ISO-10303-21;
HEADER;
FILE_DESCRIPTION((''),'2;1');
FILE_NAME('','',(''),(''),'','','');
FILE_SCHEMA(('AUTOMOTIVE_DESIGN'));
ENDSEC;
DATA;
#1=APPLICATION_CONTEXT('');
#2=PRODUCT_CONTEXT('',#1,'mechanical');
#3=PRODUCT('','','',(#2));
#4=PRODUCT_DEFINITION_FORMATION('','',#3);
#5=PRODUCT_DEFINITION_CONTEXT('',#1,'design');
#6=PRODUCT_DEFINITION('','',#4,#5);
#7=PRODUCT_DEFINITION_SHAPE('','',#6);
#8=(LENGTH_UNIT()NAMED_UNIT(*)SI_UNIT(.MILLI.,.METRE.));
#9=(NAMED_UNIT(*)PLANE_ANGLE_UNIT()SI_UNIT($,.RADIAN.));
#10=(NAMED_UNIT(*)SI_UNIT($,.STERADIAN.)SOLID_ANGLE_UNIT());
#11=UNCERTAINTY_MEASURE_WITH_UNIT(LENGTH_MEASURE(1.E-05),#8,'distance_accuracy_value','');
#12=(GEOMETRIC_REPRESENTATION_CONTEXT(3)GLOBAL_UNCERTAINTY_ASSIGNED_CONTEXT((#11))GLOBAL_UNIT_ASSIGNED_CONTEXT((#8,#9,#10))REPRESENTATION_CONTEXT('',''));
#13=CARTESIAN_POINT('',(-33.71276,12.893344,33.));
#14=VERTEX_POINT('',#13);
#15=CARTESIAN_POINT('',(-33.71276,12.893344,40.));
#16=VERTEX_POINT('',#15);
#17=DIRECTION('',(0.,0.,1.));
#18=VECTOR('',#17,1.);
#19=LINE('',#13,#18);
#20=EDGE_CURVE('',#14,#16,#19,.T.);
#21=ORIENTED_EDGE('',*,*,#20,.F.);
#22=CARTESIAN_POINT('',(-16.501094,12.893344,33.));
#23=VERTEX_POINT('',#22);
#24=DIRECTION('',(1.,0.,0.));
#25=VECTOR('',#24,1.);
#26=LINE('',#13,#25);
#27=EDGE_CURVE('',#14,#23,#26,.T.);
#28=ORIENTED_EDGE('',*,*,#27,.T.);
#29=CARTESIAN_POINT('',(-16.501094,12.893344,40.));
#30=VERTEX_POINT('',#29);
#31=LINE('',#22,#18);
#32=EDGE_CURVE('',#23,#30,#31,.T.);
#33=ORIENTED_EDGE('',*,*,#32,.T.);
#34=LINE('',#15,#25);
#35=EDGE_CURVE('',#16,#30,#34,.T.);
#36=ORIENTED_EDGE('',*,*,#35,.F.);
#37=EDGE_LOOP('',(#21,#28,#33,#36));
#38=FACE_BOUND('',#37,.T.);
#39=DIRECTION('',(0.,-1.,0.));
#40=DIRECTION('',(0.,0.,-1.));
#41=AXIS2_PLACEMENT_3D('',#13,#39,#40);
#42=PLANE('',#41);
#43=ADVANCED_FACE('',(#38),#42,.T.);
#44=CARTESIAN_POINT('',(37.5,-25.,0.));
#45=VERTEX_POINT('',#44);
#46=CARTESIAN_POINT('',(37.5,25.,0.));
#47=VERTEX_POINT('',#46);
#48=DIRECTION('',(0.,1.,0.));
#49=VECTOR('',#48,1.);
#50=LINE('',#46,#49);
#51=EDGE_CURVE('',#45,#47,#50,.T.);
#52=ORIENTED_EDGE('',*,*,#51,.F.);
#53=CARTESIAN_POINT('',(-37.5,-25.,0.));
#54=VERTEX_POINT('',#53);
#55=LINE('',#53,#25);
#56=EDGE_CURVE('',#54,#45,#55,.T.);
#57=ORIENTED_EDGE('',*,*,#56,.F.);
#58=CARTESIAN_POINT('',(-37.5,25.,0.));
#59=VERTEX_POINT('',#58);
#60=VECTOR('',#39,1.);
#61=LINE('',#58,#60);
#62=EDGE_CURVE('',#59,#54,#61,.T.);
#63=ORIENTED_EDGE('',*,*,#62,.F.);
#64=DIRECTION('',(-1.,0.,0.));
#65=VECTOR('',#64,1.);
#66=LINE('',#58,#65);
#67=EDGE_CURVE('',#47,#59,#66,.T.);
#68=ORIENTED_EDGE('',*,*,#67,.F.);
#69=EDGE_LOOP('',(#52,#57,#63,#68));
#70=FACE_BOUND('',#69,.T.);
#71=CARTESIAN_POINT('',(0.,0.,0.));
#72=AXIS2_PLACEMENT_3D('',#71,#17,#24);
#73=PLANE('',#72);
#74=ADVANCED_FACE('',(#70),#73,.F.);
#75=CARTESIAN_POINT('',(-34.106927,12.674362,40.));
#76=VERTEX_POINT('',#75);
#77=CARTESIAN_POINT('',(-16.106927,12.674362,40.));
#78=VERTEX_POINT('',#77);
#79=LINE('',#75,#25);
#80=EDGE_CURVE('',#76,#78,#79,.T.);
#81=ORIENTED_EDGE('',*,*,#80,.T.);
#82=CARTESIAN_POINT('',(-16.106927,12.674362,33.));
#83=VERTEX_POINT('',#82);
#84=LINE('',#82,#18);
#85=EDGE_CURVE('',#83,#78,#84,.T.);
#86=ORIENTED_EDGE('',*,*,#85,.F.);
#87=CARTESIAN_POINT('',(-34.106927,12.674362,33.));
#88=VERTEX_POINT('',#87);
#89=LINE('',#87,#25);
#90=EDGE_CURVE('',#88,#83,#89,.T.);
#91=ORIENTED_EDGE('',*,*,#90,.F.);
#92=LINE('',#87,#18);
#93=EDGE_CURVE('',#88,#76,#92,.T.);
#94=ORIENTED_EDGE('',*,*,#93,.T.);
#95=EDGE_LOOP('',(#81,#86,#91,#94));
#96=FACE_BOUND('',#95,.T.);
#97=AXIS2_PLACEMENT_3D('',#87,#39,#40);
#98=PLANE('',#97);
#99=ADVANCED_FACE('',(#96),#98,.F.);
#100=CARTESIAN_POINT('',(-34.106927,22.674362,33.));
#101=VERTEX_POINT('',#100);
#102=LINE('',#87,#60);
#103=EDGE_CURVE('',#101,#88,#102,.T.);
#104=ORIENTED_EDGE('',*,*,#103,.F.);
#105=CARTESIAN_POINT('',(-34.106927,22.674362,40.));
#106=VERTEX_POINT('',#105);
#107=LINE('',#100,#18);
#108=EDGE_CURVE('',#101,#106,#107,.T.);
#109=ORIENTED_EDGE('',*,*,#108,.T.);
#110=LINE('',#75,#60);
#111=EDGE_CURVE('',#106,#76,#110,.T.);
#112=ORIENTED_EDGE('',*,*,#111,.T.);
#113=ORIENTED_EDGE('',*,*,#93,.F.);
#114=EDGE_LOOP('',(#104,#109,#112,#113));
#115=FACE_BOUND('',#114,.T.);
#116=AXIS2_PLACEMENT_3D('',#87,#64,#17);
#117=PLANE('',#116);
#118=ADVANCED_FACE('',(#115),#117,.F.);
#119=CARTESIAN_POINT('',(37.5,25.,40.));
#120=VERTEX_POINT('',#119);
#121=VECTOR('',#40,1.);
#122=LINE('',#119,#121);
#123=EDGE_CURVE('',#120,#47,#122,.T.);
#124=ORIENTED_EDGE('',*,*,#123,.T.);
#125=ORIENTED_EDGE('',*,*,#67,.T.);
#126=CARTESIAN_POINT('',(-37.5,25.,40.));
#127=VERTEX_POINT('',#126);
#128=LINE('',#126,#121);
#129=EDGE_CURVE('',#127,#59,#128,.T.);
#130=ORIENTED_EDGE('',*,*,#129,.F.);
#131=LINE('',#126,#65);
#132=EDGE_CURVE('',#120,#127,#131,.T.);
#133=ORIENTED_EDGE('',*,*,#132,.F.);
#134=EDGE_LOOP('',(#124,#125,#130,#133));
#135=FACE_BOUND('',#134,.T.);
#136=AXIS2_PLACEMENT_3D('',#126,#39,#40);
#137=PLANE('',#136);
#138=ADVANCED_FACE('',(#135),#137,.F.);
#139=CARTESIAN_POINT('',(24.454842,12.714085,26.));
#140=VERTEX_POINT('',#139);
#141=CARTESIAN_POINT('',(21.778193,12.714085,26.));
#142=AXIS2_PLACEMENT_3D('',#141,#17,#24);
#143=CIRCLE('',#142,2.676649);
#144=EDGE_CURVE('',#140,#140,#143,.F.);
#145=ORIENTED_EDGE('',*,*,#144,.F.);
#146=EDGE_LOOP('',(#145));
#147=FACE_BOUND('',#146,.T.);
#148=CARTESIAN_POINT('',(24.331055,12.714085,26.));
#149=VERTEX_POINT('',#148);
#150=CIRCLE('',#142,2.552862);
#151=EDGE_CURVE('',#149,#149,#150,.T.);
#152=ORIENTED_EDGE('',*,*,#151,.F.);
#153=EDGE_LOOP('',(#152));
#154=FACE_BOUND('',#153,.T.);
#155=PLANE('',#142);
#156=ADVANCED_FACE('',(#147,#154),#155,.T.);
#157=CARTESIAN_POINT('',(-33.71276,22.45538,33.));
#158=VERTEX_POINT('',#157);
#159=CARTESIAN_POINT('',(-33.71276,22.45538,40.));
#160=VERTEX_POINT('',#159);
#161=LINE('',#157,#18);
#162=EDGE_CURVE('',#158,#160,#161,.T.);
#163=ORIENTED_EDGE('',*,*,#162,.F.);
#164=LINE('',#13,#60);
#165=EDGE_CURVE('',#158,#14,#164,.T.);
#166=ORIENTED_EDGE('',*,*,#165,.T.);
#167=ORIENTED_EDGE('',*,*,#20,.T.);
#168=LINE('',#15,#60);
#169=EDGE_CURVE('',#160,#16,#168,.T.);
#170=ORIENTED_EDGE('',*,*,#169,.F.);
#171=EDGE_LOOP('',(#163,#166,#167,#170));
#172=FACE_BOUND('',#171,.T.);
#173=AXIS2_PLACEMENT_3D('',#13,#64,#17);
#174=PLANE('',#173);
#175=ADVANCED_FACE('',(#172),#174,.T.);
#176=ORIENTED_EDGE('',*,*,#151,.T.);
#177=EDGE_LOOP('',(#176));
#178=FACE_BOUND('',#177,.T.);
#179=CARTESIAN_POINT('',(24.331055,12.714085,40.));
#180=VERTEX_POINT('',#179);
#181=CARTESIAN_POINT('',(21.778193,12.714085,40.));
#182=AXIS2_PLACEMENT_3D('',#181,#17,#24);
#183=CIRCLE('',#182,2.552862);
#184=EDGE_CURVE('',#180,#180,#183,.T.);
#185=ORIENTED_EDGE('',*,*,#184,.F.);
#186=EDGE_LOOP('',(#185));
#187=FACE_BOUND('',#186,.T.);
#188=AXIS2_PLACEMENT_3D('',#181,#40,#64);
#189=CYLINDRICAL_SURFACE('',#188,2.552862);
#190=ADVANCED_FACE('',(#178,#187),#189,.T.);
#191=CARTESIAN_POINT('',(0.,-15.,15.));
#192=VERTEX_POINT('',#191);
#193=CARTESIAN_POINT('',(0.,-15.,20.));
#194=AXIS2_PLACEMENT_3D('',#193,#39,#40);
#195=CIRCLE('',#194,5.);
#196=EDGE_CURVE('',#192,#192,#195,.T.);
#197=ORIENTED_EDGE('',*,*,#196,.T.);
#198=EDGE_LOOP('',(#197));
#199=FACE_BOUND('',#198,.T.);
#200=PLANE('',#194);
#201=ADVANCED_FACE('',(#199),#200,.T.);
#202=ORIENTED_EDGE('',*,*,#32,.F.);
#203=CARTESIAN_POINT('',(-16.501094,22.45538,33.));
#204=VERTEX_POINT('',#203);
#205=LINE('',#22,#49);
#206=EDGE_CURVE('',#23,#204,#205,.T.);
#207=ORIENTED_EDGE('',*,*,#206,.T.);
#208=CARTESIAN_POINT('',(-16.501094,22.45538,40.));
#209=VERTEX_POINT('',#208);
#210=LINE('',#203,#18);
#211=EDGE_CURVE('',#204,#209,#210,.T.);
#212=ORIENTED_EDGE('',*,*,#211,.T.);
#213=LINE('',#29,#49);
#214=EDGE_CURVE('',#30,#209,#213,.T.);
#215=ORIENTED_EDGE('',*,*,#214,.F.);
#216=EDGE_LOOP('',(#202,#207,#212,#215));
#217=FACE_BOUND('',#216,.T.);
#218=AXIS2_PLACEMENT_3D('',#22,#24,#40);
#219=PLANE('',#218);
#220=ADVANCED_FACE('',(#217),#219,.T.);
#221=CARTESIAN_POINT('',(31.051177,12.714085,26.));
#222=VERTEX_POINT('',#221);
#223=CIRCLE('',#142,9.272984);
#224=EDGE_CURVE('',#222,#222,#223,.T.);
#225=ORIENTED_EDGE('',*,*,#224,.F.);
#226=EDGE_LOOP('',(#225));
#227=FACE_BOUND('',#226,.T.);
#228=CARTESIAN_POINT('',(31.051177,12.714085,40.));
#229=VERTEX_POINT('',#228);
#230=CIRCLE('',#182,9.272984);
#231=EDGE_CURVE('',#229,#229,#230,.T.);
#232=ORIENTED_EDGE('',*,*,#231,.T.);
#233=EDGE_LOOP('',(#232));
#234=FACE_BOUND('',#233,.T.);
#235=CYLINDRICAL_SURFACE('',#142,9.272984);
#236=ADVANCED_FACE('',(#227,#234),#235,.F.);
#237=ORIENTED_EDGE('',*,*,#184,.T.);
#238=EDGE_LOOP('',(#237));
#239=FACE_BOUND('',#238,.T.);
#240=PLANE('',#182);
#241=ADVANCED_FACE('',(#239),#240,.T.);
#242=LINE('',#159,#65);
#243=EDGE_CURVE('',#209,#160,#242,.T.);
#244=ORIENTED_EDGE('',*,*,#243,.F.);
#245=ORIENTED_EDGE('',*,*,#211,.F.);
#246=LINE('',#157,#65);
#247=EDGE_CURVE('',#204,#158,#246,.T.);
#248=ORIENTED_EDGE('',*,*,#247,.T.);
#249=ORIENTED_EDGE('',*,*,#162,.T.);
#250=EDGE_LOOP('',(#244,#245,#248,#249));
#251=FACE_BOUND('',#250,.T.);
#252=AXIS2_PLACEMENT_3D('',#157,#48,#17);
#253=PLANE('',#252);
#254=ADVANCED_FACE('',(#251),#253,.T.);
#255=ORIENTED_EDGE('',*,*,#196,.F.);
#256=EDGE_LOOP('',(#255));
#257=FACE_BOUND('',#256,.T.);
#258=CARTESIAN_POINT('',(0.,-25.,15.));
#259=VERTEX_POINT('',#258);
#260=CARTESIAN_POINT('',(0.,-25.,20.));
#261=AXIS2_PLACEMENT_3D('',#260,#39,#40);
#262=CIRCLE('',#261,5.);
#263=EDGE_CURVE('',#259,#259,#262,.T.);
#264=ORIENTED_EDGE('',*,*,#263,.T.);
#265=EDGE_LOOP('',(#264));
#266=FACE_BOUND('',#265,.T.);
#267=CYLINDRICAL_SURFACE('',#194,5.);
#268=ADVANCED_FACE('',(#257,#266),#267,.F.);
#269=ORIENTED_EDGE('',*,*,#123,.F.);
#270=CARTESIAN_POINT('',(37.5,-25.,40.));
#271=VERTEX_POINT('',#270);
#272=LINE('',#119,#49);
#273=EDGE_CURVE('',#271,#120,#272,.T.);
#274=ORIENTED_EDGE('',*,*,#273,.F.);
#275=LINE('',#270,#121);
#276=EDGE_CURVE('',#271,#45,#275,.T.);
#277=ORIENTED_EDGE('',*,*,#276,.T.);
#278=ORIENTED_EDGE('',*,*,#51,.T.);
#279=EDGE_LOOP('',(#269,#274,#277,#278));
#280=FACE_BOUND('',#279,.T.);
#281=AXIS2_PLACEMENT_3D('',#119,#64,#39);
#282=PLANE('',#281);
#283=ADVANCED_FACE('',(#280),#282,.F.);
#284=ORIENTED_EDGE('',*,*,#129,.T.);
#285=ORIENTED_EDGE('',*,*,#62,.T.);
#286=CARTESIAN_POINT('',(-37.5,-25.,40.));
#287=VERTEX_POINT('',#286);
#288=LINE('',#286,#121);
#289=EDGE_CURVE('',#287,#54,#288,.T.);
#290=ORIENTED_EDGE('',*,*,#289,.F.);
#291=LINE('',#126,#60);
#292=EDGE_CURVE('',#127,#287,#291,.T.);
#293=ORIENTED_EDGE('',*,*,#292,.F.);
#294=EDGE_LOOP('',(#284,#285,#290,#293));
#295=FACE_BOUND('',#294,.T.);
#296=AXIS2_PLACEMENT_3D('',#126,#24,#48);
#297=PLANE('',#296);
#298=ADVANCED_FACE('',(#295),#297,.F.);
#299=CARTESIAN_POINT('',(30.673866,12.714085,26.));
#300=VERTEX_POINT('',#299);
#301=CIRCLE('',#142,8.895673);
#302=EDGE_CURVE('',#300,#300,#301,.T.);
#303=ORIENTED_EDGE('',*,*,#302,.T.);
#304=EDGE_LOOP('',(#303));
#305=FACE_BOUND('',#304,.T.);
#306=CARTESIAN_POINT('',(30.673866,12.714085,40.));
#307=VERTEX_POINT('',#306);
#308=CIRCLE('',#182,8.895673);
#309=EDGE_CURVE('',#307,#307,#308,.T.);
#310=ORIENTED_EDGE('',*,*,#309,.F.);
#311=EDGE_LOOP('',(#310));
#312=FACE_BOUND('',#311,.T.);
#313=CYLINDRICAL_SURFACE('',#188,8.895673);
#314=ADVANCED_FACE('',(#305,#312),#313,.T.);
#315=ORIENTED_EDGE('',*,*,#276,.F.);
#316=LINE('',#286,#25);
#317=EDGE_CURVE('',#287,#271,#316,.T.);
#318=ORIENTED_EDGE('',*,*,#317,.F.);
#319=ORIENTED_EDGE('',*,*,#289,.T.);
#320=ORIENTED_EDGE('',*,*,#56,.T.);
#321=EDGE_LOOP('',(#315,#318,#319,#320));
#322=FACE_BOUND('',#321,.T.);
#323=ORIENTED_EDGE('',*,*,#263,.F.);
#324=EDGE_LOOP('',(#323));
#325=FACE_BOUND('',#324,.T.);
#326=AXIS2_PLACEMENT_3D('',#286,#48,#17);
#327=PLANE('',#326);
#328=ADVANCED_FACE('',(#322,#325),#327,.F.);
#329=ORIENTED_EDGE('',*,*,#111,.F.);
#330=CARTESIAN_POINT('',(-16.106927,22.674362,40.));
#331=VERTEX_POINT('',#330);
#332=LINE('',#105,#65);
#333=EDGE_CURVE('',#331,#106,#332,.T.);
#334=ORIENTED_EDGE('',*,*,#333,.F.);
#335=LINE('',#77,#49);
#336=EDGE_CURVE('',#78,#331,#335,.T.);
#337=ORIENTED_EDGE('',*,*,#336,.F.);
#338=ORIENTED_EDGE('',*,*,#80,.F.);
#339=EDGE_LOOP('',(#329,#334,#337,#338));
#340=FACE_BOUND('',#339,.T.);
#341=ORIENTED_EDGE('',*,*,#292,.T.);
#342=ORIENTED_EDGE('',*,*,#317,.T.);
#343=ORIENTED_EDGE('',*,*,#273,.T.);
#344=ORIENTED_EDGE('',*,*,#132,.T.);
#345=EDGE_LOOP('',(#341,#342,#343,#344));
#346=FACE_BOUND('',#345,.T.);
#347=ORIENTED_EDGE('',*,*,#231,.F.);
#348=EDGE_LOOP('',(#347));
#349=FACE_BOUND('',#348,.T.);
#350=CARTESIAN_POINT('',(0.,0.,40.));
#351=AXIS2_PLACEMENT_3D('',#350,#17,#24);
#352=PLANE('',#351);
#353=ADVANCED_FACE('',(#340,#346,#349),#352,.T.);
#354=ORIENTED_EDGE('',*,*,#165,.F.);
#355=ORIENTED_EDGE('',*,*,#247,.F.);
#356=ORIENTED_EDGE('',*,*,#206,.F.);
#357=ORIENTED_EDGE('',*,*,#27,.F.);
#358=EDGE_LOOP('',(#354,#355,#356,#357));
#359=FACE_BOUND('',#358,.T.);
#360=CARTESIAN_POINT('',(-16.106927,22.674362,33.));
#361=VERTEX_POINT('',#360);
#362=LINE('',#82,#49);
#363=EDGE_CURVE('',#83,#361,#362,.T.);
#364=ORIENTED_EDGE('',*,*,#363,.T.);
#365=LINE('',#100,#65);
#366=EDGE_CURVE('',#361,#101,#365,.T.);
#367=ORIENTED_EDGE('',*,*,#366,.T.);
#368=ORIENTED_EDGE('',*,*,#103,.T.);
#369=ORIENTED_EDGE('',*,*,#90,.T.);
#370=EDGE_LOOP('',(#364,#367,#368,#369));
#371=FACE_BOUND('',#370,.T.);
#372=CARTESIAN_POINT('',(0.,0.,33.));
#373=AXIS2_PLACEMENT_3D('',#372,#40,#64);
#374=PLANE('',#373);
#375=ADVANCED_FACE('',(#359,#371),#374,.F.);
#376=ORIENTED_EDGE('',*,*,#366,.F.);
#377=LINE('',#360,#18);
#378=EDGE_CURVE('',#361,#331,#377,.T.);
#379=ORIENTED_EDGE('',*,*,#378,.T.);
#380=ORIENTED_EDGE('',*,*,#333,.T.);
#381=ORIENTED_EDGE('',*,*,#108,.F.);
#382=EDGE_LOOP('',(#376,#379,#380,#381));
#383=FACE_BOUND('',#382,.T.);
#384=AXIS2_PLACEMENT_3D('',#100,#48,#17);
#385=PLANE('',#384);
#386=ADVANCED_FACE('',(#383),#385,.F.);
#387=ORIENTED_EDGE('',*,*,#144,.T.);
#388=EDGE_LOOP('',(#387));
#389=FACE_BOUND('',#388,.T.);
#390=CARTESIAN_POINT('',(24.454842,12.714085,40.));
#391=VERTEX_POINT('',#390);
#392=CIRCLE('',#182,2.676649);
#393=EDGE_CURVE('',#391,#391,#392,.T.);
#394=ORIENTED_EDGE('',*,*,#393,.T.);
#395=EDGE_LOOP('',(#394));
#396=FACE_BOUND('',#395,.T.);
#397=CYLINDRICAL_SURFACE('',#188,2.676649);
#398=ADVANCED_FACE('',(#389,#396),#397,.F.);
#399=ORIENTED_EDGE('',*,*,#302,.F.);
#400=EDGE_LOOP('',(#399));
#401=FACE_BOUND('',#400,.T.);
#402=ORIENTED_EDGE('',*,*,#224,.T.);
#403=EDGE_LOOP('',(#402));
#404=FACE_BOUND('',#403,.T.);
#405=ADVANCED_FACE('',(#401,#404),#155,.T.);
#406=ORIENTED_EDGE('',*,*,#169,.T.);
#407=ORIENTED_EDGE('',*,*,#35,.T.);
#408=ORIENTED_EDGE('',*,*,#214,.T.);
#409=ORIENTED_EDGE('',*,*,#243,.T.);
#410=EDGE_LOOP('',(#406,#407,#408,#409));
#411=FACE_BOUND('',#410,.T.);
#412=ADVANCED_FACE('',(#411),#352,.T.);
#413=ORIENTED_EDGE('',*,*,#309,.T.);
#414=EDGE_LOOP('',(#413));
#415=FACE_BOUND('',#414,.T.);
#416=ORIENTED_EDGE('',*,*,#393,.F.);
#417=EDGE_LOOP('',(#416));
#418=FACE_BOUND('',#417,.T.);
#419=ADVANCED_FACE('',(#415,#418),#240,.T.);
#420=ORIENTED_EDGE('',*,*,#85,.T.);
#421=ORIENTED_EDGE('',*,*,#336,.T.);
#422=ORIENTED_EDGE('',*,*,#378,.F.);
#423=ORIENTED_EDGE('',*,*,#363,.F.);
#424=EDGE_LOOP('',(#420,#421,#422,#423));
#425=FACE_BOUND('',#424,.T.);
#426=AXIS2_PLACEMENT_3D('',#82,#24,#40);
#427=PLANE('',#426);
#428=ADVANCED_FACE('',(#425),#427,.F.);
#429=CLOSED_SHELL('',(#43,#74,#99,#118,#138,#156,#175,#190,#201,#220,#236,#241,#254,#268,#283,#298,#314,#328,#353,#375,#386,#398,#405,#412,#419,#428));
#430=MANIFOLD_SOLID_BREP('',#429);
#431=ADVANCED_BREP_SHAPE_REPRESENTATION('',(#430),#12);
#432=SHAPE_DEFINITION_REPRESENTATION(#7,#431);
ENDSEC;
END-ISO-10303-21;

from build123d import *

# Parameters (mm, degrees)
SKETCH1_W           = 75
SKETCH1_H           = 50
BOSS_EXTRUDE1_DEPTH = 40
SKETCH2_R           = 9.272983733
CUT_EXTRUDE1_DEPTH  = 14
SKETCH3_R           = 8.895673095
SKETCH3_R_2         = 2.676649409
BOSS_EXTRUDE2_DEPTH = 14
SKETCH4_R           = 2.552861956
BOSS_EXTRUDE3_DEPTH = 14
SKETCH5_W           = 18
SKETCH5_H           = 10
SKETCH5_W_2         = 17.211665491
SKETCH5_H_2         = 9.562036384
CUT_EXTRUDE2_DEPTH  = 7
SKETCH6_R           = 5
CUT_EXTRUDE3_DEPTH  = 10


with BuildPart() as part:
    # Sketch1 → Boss-Extrude1 (new body)
    with BuildSketch(Plane.XY):
        Rectangle(SKETCH1_W, SKETCH1_H)
    extrude(amount=BOSS_EXTRUDE1_DEPTH)

    # Sketch2 → Cut-Extrude1 (cut)
    with BuildSketch(Plane.XY.offset(40)):
        with Locations((21.778192922, 12.714084695)):
            Circle(SKETCH2_R)
    extrude(amount=-CUT_EXTRUDE1_DEPTH, mode=Mode.SUBTRACT)

    # Sketch3 → Boss-Extrude2 (add)
    with BuildSketch(Plane.XY.offset(26)):
        with Locations((21.778192922, 12.714084695)):
            Circle(SKETCH3_R)
        with Locations((21.778192922, 12.714084695)):
            Circle(SKETCH3_R_2, mode=Mode.SUBTRACT)
    extrude(amount=BOSS_EXTRUDE2_DEPTH)

    # Sketch4 → Boss-Extrude3 (add)
    with BuildSketch(Plane.XY.offset(26)):
        with Locations((21.778192922, 12.714084695)):
            Circle(SKETCH4_R)
    extrude(amount=BOSS_EXTRUDE3_DEPTH)

    # Sketch5 → Cut-Extrude2 (cut)
    with BuildSketch(Plane.XY.offset(40)):
        with Locations((-25.106926905, 17.674362133)):
            Rectangle(SKETCH5_W, SKETCH5_H)
        with Locations((-25.106926904, 17.674362133)):
            Rectangle(SKETCH5_W_2, SKETCH5_H_2, mode=Mode.SUBTRACT)
    extrude(amount=-CUT_EXTRUDE2_DEPTH, mode=Mode.SUBTRACT)

    # Sketch6 → Cut-Extrude3 (cut)
    with BuildSketch(Plane.XZ.offset(25)):
        with Locations((0, 20)):
            Circle(SKETCH6_R)
    extrude(amount=-CUT_EXTRUDE3_DEPTH, mode=Mode.SUBTRACT)


solid = part.part
